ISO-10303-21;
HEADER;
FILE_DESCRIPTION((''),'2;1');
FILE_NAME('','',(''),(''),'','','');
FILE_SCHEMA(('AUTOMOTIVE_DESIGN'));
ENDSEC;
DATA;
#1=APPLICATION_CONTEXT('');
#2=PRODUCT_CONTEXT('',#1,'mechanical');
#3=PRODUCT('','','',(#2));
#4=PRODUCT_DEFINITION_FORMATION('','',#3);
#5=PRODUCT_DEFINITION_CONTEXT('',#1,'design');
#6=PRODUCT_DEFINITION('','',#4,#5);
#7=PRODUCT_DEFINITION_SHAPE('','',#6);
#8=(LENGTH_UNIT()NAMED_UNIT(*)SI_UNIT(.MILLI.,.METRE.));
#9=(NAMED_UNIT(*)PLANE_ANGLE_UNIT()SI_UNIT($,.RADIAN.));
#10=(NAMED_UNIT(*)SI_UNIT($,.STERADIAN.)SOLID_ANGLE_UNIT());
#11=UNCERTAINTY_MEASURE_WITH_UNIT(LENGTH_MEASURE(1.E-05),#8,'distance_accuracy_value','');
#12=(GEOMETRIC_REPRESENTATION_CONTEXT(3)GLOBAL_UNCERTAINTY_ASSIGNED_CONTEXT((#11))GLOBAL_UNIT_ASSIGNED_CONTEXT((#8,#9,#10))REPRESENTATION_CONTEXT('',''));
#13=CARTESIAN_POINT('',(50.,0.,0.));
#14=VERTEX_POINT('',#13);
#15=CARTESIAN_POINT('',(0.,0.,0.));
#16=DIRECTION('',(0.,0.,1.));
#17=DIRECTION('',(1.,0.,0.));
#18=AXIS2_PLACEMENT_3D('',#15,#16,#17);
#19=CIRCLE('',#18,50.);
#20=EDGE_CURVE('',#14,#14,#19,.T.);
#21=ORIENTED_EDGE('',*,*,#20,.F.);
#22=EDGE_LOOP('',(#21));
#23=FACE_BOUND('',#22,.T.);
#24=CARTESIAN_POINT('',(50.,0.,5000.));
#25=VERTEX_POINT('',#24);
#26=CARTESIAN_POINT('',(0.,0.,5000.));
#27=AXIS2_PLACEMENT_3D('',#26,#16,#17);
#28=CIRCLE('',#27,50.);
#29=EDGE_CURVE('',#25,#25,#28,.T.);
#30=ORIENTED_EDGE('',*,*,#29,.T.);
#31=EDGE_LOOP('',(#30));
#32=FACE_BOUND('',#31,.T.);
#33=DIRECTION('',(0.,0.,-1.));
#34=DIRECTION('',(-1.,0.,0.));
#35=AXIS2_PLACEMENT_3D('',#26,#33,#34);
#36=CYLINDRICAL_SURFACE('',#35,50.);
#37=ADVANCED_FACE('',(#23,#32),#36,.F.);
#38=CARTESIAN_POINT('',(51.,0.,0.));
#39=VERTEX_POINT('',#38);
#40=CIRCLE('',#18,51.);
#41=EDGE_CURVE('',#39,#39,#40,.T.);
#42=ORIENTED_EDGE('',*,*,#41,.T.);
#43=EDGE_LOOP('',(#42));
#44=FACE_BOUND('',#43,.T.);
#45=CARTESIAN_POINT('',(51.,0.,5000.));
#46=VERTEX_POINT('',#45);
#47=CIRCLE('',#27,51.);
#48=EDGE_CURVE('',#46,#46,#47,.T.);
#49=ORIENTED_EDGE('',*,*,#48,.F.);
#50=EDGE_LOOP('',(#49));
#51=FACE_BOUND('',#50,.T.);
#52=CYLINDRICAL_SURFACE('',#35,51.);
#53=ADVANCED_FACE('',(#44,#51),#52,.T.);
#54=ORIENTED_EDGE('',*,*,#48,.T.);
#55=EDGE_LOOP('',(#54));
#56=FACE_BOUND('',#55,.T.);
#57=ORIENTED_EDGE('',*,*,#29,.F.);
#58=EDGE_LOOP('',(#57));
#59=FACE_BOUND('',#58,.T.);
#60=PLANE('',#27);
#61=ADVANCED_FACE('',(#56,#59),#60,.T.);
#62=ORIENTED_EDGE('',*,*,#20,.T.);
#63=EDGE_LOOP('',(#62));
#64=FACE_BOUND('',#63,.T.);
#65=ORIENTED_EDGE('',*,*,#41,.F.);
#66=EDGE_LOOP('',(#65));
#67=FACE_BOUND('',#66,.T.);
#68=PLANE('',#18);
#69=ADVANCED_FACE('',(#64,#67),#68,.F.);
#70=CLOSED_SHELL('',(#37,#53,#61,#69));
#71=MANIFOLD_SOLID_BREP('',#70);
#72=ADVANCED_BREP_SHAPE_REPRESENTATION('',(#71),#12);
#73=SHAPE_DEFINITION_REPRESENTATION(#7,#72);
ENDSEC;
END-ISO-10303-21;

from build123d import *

# Parameters (mm, degrees)
SKETCH1_R           = 51
SKETCH1_R_2         = 50
BOSS_EXTRUDE1_DEPTH = 5000


with BuildPart() as part:
    # Sketch1 → Boss-Extrude1 (new body)
    with BuildSketch(Plane.XY):
        Circle(SKETCH1_R)
        Circle(SKETCH1_R_2, mode=Mode.SUBTRACT)
    extrude(amount=BOSS_EXTRUDE1_DEPTH)


solid = part.part
